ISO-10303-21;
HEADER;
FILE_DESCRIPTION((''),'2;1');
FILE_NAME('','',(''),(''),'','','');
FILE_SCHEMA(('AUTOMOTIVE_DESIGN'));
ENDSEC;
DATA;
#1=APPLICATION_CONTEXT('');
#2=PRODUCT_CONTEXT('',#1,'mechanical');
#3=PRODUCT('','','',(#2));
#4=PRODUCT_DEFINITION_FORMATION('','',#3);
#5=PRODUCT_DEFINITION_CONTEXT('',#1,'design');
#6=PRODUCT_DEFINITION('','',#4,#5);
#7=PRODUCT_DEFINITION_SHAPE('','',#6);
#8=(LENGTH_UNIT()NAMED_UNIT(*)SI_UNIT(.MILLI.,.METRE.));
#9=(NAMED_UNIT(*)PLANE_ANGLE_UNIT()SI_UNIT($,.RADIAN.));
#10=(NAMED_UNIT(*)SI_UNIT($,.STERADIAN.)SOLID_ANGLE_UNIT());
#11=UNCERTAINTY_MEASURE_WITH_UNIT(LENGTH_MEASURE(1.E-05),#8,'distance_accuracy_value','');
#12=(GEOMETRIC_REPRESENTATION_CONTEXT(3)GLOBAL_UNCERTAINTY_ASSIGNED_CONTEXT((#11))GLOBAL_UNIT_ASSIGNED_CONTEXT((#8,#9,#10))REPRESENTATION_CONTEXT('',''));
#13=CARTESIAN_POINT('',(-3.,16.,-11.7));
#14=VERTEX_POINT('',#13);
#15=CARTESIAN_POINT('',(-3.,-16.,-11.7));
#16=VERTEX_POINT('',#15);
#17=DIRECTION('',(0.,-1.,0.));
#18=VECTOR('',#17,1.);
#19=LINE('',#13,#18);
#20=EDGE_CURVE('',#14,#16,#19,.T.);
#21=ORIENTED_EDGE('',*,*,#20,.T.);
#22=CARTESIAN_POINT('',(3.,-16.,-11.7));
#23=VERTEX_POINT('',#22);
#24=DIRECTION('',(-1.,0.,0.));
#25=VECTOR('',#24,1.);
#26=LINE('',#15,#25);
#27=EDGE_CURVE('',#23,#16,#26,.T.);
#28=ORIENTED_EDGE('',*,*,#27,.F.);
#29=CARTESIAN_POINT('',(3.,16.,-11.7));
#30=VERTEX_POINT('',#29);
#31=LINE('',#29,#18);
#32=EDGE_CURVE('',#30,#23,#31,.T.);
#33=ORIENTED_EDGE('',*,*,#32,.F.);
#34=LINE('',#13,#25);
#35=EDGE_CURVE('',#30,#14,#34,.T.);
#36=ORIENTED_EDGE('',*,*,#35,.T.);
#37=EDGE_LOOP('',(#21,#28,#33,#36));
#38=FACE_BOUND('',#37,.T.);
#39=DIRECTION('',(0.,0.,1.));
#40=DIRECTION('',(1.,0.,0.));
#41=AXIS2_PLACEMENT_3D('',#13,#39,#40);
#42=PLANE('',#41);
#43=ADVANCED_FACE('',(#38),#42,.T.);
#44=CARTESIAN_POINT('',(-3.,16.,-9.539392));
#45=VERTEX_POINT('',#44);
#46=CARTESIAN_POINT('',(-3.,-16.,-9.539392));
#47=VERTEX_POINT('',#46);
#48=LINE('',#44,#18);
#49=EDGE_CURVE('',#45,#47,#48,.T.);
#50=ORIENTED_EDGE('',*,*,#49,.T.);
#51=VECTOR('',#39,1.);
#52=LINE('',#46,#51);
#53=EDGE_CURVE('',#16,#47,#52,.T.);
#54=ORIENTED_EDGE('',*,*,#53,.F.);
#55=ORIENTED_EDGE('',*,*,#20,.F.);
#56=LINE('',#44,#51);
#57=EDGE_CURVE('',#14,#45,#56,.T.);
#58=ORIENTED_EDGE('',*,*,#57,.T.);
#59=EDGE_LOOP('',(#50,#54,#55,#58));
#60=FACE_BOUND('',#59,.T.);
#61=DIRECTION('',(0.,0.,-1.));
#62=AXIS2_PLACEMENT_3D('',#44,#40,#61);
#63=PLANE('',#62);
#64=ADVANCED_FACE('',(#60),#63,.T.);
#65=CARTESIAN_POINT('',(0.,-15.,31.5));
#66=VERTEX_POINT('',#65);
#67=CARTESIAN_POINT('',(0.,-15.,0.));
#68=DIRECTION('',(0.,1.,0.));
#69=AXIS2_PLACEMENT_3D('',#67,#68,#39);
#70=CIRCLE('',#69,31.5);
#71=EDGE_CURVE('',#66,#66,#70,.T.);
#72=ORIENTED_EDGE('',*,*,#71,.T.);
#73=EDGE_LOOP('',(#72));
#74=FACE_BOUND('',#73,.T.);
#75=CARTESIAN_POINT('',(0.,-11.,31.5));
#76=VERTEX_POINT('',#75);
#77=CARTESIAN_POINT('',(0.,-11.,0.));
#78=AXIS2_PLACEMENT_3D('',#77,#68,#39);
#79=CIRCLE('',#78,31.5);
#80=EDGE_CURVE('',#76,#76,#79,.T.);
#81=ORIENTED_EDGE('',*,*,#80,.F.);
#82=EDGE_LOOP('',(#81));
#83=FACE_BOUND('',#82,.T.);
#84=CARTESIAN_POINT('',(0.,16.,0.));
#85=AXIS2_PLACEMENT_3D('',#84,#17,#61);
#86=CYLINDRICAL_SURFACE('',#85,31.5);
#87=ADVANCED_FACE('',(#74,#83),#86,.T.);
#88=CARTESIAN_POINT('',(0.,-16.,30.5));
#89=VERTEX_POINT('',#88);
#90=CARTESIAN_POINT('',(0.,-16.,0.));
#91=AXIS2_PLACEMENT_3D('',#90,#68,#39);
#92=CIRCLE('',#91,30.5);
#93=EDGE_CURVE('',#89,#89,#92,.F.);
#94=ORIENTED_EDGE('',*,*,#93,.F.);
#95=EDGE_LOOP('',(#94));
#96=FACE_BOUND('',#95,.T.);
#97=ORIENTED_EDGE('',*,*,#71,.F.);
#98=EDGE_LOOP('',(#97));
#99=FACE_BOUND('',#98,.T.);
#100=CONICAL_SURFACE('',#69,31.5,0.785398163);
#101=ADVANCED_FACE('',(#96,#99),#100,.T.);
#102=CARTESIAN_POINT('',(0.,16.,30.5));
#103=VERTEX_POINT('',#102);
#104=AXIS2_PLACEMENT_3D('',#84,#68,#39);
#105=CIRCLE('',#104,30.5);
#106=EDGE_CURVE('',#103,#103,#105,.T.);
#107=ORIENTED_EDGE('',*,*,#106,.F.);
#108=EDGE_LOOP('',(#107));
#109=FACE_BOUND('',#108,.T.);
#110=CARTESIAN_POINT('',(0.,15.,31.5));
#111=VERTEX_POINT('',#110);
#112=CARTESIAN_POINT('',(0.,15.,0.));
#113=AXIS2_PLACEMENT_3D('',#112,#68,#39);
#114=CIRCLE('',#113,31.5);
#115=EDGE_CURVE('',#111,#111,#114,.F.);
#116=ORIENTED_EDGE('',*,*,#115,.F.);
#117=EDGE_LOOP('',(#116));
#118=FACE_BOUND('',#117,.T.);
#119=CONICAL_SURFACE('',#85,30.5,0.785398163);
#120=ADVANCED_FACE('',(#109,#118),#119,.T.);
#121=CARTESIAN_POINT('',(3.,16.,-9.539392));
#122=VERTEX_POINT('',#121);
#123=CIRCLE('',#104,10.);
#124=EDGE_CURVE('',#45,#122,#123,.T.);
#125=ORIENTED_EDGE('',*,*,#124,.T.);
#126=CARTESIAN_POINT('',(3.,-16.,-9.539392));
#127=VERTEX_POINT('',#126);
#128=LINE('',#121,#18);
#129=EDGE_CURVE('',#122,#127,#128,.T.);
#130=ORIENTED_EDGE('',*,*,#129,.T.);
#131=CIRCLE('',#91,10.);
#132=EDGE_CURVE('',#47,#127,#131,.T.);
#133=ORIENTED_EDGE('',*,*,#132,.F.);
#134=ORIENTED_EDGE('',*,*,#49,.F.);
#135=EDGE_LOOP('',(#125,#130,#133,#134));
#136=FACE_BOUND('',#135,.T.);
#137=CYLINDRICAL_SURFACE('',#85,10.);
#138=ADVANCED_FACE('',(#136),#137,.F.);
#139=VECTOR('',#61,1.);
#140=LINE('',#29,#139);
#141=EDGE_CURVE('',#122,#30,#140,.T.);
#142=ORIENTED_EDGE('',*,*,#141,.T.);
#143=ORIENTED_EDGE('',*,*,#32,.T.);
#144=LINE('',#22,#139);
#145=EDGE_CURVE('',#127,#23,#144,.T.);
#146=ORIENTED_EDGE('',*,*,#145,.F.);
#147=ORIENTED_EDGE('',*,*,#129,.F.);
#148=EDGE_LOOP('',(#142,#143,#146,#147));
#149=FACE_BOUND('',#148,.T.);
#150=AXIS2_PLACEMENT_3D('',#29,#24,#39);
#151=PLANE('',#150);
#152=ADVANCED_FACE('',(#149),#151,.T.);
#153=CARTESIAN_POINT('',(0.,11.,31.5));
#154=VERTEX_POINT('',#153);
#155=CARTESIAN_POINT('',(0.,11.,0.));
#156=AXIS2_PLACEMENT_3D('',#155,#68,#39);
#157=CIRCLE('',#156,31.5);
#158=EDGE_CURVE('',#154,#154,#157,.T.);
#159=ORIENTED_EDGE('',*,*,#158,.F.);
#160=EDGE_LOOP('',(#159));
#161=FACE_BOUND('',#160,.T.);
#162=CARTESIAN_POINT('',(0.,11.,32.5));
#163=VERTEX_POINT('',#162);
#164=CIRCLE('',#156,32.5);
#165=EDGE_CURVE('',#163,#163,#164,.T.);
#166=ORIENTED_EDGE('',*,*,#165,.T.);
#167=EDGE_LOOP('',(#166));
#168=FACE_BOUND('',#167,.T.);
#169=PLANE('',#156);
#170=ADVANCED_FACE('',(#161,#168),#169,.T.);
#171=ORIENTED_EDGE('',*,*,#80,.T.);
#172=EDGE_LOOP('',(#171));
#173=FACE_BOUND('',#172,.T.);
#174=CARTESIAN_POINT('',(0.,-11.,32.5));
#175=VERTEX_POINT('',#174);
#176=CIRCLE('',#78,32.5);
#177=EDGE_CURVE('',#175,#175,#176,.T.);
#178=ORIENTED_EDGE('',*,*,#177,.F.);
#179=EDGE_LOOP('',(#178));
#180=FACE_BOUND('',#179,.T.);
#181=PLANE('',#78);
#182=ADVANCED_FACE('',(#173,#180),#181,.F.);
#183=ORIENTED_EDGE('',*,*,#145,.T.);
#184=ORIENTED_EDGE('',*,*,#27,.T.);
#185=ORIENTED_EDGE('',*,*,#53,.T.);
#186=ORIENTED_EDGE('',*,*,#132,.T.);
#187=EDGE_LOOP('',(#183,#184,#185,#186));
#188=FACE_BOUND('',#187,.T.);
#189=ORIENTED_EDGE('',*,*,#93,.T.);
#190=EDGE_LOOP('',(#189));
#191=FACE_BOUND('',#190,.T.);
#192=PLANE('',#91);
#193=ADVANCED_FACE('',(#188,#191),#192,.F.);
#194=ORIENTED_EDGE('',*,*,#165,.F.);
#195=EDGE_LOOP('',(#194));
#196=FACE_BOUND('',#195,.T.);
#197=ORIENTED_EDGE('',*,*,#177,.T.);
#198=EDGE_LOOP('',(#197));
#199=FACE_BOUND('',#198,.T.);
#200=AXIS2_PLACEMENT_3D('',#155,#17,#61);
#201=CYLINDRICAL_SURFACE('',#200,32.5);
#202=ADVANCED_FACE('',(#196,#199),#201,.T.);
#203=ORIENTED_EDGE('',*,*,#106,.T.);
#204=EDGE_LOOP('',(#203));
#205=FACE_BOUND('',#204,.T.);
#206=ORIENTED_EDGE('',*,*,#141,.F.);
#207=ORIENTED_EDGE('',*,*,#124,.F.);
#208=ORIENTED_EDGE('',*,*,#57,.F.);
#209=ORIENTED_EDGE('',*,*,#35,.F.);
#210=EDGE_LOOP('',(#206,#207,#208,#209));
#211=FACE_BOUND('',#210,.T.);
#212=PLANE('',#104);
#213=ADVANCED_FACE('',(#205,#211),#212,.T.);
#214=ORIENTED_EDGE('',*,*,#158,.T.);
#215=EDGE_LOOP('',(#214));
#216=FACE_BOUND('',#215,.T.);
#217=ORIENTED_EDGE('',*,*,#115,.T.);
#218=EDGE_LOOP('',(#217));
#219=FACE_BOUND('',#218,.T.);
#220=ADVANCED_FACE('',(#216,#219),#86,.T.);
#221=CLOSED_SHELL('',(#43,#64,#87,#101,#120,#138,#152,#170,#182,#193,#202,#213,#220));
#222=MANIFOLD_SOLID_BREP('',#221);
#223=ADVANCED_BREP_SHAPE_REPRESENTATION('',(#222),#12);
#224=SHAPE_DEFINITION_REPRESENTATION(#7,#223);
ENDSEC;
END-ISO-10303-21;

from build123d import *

# Parameters (mm, degrees)
SKETCH_1_R      = 31.5
EXTRUDE_1_DEPTH = 16
SKETCH_2_R      = 32.5
SKETCH_2_R_2    = 31.5
EXTRUDE_2_DEPTH = 11
CHAMFER_1_SIZE  = 1


with BuildPart() as part:
    # 草图1 → 凸台-拉伸1 (new, symmetric)
    with BuildSketch(Plane(origin=(0, 0, 0), x_dir=(1, 0, 0), z_dir=(0, 1, 0))):
        with Locations(Location((0, 0, 0), (0, 0, 270))):
            Circle(SKETCH_1_R)
        with BuildLine():
            Line((-3, 9.539392014), (-3, 11.7))
            Line((-3, 11.7), (3, 11.7))
            Line((3, 11.7), (3, 9.539392014))
            ThreePointArc((3, 9.539392014), (0, -10), (-3, 9.539392014))
        make_face(mode=Mode.SUBTRACT)
    extrude(amount=EXTRUDE_1_DEPTH, both=True)

    # 草图2 → 凸台-拉伸2 (add, symmetric)
    with BuildSketch(Plane(origin=(0, 0, 0), x_dir=(1, 0, 0), z_dir=(0, 1, 0))):
        with Locations(Location((0, 0, 0), (0, 0, 270))):
            Circle(SKETCH_2_R)
        with Locations(Location((0, 0, 0), (0, 0, 270))):
            Circle(SKETCH_2_R_2, mode=Mode.SUBTRACT)
    extrude(amount=EXTRUDE_2_DEPTH, both=True)

    # 倒角1
    chamfer_1_edges = [part.edges().sort_by_distance(p)[0] for p in [
        (0, -16, -31.5),
        (0, 16, -31.5),
    ]]
    chamfer(chamfer_1_edges, length=CHAMFER_1_SIZE)


solid = part.part
